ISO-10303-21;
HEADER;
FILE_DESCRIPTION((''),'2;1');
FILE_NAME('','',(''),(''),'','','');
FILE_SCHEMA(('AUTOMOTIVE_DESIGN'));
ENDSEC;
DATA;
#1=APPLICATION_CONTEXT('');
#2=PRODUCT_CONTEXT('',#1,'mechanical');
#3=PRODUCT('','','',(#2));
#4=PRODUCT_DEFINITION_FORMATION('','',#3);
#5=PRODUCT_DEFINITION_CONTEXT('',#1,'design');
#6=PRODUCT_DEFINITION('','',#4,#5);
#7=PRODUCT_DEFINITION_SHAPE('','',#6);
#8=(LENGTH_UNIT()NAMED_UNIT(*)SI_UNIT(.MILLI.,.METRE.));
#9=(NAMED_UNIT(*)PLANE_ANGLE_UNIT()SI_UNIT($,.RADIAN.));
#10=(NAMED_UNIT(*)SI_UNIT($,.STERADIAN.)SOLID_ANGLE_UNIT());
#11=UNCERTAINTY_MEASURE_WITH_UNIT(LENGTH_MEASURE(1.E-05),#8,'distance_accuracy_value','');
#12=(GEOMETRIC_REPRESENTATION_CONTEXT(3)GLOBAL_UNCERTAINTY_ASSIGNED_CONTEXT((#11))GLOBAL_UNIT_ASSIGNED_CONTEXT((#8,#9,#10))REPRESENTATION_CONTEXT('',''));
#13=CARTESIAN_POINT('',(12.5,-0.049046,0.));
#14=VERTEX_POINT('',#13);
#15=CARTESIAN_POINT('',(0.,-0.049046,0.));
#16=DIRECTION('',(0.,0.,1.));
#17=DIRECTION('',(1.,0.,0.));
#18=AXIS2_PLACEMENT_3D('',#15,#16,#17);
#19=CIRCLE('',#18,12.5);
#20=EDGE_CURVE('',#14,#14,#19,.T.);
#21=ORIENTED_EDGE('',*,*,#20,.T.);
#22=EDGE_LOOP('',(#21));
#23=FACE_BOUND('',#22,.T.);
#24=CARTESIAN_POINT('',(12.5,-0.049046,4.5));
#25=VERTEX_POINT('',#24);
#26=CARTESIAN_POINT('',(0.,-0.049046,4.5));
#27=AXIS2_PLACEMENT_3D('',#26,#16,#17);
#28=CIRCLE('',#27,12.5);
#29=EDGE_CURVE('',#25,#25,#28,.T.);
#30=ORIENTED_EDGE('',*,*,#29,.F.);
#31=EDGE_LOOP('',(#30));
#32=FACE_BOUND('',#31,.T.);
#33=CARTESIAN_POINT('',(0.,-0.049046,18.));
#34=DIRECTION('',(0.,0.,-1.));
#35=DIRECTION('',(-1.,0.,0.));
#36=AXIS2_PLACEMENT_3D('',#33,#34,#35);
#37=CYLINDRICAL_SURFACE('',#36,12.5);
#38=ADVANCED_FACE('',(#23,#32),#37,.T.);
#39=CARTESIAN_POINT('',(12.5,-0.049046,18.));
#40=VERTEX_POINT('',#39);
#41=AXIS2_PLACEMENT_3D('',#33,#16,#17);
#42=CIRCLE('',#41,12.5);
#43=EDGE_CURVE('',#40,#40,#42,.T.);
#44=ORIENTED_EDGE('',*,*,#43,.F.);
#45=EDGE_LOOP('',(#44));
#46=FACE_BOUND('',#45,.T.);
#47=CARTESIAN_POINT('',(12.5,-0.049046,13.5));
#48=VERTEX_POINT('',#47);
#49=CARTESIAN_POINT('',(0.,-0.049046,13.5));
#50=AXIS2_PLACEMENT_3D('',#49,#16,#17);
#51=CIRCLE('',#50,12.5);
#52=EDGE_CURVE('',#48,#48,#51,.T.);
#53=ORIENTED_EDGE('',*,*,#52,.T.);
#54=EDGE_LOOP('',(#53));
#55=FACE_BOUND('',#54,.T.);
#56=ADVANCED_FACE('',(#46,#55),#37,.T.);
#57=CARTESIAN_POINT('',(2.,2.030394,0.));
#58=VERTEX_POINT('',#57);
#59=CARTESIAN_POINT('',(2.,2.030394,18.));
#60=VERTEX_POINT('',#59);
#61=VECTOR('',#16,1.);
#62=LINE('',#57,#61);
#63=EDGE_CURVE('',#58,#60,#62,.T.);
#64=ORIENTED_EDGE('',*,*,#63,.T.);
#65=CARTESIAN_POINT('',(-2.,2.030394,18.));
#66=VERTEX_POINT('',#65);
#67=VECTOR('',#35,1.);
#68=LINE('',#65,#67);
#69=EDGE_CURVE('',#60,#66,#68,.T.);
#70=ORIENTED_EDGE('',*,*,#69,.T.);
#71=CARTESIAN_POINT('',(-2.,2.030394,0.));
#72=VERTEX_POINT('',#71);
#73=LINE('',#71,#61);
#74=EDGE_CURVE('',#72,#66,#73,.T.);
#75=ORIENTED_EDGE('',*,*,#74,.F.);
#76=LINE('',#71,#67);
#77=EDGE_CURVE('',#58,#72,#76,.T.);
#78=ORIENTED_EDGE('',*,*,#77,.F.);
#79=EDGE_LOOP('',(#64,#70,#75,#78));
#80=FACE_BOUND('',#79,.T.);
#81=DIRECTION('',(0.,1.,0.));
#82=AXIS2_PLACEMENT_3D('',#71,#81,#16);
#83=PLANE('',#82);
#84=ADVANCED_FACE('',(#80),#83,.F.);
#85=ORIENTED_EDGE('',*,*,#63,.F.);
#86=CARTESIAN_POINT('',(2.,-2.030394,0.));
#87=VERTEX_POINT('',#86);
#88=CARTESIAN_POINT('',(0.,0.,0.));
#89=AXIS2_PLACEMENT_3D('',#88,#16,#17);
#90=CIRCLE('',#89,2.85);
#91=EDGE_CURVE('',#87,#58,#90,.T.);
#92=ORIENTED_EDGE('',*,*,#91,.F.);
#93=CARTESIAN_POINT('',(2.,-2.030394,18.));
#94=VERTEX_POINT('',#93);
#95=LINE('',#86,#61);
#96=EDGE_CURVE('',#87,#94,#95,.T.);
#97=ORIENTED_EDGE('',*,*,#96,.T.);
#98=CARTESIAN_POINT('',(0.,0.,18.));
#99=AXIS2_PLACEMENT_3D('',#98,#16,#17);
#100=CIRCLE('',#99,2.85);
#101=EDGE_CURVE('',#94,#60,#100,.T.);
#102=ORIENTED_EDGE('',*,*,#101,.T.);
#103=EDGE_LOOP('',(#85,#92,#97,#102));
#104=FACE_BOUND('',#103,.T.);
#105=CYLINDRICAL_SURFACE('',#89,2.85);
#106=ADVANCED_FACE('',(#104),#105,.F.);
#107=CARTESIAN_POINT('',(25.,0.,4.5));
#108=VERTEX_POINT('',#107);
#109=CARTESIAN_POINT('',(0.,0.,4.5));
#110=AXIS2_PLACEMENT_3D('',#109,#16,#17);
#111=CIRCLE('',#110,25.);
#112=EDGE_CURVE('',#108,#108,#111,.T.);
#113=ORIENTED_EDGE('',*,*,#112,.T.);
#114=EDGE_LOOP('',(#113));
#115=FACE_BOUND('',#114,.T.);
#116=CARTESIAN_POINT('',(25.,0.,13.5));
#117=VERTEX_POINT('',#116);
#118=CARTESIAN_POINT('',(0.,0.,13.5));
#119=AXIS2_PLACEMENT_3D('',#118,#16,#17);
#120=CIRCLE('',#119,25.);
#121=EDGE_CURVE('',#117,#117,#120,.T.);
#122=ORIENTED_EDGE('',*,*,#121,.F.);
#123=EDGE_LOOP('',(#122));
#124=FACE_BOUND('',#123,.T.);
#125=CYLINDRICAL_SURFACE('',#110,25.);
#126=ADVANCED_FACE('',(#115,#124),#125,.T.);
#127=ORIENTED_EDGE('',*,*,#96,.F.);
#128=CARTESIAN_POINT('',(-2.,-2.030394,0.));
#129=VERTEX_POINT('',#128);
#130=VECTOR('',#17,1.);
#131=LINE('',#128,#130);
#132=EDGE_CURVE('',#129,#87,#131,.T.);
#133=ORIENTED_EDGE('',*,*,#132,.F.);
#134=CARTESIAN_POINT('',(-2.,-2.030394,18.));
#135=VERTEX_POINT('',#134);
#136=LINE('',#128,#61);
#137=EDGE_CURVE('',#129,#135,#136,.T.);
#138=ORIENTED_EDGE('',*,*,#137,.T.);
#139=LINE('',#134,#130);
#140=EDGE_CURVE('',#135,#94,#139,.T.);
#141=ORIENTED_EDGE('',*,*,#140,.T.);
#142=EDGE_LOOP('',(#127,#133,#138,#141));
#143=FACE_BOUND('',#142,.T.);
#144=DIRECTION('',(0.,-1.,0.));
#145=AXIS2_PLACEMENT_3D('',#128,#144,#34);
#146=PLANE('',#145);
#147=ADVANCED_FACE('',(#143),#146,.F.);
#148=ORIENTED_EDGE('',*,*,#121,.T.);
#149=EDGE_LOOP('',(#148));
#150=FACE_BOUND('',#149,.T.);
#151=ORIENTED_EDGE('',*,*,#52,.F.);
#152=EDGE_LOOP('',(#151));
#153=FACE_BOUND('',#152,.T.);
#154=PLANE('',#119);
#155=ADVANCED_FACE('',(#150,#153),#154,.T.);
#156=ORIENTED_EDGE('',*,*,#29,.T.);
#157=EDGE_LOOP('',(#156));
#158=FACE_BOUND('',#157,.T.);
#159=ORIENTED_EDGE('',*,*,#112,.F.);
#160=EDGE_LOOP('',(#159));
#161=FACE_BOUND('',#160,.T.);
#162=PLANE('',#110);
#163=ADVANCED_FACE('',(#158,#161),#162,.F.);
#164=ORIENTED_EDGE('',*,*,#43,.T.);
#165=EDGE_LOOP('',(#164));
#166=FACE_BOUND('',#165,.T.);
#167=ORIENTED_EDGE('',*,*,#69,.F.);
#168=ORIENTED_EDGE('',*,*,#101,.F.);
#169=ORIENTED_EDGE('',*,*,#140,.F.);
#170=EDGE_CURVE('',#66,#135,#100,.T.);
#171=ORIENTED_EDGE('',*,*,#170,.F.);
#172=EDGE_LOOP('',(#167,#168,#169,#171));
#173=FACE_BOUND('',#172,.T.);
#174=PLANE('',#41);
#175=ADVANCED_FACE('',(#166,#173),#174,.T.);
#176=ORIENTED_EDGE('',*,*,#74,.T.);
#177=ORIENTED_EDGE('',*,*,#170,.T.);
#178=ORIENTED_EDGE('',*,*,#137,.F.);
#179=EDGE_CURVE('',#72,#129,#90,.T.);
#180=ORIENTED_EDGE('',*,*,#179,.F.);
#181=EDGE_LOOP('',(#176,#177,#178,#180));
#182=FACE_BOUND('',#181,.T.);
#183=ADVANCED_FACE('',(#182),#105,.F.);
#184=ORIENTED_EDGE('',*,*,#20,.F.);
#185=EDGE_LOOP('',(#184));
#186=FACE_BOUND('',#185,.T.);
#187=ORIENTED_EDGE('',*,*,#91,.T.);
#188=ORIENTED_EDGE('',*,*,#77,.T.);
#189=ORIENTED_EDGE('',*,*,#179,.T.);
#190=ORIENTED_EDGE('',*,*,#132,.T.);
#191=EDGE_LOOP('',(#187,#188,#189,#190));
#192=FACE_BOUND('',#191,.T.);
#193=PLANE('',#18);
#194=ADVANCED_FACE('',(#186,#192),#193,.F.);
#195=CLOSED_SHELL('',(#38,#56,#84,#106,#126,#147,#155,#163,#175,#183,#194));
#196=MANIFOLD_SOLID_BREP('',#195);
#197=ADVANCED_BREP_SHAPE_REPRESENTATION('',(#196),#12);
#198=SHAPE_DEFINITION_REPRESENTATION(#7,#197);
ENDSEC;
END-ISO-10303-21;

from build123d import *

# Parameters (mm, degrees)
SKETCH1_R           = 12.5
BOSS_EXTRUDE1_DEPTH = 18
BOSS_EXTRUDE2_START = -4.5
SKETCH2_R           = 25
BOSS_EXTRUDE2_DEPTH = 9
CUT_EXTRUDE1_DEPTH  = 19


with BuildPart() as part:
    # Sketch1 → Boss-Extrude1 (new body)
    with BuildSketch(Plane.XY):
        with Locations((0, -0.049046118)):
            Circle(SKETCH1_R)
    extrude(amount=BOSS_EXTRUDE1_DEPTH)

    # Sketch2 → Boss-Extrude2 (add)
    with BuildSketch(Plane.XY.offset(18).offset(BOSS_EXTRUDE2_START)):
        Circle(SKETCH2_R)
    extrude(amount=-BOSS_EXTRUDE2_DEPTH)

    # Sketch3 → Cut-Extrude1 (cut, through all)
    with BuildSketch(Plane.XY.offset(18)):
        with BuildLine():
            Line((-2, 2.03039405), (2, 2.03039405))
            ThreePointArc((2, 2.03039405), (2.85, 0), (2, -2.03039405))
            Line((2, -2.03039405), (-2, -2.03039405))
            ThreePointArc((-2, -2.03039405), (-2.85, 0), (-2, 2.03039405))
        make_face()
    extrude(amount=-CUT_EXTRUDE1_DEPTH, mode=Mode.SUBTRACT)


solid = part.part
